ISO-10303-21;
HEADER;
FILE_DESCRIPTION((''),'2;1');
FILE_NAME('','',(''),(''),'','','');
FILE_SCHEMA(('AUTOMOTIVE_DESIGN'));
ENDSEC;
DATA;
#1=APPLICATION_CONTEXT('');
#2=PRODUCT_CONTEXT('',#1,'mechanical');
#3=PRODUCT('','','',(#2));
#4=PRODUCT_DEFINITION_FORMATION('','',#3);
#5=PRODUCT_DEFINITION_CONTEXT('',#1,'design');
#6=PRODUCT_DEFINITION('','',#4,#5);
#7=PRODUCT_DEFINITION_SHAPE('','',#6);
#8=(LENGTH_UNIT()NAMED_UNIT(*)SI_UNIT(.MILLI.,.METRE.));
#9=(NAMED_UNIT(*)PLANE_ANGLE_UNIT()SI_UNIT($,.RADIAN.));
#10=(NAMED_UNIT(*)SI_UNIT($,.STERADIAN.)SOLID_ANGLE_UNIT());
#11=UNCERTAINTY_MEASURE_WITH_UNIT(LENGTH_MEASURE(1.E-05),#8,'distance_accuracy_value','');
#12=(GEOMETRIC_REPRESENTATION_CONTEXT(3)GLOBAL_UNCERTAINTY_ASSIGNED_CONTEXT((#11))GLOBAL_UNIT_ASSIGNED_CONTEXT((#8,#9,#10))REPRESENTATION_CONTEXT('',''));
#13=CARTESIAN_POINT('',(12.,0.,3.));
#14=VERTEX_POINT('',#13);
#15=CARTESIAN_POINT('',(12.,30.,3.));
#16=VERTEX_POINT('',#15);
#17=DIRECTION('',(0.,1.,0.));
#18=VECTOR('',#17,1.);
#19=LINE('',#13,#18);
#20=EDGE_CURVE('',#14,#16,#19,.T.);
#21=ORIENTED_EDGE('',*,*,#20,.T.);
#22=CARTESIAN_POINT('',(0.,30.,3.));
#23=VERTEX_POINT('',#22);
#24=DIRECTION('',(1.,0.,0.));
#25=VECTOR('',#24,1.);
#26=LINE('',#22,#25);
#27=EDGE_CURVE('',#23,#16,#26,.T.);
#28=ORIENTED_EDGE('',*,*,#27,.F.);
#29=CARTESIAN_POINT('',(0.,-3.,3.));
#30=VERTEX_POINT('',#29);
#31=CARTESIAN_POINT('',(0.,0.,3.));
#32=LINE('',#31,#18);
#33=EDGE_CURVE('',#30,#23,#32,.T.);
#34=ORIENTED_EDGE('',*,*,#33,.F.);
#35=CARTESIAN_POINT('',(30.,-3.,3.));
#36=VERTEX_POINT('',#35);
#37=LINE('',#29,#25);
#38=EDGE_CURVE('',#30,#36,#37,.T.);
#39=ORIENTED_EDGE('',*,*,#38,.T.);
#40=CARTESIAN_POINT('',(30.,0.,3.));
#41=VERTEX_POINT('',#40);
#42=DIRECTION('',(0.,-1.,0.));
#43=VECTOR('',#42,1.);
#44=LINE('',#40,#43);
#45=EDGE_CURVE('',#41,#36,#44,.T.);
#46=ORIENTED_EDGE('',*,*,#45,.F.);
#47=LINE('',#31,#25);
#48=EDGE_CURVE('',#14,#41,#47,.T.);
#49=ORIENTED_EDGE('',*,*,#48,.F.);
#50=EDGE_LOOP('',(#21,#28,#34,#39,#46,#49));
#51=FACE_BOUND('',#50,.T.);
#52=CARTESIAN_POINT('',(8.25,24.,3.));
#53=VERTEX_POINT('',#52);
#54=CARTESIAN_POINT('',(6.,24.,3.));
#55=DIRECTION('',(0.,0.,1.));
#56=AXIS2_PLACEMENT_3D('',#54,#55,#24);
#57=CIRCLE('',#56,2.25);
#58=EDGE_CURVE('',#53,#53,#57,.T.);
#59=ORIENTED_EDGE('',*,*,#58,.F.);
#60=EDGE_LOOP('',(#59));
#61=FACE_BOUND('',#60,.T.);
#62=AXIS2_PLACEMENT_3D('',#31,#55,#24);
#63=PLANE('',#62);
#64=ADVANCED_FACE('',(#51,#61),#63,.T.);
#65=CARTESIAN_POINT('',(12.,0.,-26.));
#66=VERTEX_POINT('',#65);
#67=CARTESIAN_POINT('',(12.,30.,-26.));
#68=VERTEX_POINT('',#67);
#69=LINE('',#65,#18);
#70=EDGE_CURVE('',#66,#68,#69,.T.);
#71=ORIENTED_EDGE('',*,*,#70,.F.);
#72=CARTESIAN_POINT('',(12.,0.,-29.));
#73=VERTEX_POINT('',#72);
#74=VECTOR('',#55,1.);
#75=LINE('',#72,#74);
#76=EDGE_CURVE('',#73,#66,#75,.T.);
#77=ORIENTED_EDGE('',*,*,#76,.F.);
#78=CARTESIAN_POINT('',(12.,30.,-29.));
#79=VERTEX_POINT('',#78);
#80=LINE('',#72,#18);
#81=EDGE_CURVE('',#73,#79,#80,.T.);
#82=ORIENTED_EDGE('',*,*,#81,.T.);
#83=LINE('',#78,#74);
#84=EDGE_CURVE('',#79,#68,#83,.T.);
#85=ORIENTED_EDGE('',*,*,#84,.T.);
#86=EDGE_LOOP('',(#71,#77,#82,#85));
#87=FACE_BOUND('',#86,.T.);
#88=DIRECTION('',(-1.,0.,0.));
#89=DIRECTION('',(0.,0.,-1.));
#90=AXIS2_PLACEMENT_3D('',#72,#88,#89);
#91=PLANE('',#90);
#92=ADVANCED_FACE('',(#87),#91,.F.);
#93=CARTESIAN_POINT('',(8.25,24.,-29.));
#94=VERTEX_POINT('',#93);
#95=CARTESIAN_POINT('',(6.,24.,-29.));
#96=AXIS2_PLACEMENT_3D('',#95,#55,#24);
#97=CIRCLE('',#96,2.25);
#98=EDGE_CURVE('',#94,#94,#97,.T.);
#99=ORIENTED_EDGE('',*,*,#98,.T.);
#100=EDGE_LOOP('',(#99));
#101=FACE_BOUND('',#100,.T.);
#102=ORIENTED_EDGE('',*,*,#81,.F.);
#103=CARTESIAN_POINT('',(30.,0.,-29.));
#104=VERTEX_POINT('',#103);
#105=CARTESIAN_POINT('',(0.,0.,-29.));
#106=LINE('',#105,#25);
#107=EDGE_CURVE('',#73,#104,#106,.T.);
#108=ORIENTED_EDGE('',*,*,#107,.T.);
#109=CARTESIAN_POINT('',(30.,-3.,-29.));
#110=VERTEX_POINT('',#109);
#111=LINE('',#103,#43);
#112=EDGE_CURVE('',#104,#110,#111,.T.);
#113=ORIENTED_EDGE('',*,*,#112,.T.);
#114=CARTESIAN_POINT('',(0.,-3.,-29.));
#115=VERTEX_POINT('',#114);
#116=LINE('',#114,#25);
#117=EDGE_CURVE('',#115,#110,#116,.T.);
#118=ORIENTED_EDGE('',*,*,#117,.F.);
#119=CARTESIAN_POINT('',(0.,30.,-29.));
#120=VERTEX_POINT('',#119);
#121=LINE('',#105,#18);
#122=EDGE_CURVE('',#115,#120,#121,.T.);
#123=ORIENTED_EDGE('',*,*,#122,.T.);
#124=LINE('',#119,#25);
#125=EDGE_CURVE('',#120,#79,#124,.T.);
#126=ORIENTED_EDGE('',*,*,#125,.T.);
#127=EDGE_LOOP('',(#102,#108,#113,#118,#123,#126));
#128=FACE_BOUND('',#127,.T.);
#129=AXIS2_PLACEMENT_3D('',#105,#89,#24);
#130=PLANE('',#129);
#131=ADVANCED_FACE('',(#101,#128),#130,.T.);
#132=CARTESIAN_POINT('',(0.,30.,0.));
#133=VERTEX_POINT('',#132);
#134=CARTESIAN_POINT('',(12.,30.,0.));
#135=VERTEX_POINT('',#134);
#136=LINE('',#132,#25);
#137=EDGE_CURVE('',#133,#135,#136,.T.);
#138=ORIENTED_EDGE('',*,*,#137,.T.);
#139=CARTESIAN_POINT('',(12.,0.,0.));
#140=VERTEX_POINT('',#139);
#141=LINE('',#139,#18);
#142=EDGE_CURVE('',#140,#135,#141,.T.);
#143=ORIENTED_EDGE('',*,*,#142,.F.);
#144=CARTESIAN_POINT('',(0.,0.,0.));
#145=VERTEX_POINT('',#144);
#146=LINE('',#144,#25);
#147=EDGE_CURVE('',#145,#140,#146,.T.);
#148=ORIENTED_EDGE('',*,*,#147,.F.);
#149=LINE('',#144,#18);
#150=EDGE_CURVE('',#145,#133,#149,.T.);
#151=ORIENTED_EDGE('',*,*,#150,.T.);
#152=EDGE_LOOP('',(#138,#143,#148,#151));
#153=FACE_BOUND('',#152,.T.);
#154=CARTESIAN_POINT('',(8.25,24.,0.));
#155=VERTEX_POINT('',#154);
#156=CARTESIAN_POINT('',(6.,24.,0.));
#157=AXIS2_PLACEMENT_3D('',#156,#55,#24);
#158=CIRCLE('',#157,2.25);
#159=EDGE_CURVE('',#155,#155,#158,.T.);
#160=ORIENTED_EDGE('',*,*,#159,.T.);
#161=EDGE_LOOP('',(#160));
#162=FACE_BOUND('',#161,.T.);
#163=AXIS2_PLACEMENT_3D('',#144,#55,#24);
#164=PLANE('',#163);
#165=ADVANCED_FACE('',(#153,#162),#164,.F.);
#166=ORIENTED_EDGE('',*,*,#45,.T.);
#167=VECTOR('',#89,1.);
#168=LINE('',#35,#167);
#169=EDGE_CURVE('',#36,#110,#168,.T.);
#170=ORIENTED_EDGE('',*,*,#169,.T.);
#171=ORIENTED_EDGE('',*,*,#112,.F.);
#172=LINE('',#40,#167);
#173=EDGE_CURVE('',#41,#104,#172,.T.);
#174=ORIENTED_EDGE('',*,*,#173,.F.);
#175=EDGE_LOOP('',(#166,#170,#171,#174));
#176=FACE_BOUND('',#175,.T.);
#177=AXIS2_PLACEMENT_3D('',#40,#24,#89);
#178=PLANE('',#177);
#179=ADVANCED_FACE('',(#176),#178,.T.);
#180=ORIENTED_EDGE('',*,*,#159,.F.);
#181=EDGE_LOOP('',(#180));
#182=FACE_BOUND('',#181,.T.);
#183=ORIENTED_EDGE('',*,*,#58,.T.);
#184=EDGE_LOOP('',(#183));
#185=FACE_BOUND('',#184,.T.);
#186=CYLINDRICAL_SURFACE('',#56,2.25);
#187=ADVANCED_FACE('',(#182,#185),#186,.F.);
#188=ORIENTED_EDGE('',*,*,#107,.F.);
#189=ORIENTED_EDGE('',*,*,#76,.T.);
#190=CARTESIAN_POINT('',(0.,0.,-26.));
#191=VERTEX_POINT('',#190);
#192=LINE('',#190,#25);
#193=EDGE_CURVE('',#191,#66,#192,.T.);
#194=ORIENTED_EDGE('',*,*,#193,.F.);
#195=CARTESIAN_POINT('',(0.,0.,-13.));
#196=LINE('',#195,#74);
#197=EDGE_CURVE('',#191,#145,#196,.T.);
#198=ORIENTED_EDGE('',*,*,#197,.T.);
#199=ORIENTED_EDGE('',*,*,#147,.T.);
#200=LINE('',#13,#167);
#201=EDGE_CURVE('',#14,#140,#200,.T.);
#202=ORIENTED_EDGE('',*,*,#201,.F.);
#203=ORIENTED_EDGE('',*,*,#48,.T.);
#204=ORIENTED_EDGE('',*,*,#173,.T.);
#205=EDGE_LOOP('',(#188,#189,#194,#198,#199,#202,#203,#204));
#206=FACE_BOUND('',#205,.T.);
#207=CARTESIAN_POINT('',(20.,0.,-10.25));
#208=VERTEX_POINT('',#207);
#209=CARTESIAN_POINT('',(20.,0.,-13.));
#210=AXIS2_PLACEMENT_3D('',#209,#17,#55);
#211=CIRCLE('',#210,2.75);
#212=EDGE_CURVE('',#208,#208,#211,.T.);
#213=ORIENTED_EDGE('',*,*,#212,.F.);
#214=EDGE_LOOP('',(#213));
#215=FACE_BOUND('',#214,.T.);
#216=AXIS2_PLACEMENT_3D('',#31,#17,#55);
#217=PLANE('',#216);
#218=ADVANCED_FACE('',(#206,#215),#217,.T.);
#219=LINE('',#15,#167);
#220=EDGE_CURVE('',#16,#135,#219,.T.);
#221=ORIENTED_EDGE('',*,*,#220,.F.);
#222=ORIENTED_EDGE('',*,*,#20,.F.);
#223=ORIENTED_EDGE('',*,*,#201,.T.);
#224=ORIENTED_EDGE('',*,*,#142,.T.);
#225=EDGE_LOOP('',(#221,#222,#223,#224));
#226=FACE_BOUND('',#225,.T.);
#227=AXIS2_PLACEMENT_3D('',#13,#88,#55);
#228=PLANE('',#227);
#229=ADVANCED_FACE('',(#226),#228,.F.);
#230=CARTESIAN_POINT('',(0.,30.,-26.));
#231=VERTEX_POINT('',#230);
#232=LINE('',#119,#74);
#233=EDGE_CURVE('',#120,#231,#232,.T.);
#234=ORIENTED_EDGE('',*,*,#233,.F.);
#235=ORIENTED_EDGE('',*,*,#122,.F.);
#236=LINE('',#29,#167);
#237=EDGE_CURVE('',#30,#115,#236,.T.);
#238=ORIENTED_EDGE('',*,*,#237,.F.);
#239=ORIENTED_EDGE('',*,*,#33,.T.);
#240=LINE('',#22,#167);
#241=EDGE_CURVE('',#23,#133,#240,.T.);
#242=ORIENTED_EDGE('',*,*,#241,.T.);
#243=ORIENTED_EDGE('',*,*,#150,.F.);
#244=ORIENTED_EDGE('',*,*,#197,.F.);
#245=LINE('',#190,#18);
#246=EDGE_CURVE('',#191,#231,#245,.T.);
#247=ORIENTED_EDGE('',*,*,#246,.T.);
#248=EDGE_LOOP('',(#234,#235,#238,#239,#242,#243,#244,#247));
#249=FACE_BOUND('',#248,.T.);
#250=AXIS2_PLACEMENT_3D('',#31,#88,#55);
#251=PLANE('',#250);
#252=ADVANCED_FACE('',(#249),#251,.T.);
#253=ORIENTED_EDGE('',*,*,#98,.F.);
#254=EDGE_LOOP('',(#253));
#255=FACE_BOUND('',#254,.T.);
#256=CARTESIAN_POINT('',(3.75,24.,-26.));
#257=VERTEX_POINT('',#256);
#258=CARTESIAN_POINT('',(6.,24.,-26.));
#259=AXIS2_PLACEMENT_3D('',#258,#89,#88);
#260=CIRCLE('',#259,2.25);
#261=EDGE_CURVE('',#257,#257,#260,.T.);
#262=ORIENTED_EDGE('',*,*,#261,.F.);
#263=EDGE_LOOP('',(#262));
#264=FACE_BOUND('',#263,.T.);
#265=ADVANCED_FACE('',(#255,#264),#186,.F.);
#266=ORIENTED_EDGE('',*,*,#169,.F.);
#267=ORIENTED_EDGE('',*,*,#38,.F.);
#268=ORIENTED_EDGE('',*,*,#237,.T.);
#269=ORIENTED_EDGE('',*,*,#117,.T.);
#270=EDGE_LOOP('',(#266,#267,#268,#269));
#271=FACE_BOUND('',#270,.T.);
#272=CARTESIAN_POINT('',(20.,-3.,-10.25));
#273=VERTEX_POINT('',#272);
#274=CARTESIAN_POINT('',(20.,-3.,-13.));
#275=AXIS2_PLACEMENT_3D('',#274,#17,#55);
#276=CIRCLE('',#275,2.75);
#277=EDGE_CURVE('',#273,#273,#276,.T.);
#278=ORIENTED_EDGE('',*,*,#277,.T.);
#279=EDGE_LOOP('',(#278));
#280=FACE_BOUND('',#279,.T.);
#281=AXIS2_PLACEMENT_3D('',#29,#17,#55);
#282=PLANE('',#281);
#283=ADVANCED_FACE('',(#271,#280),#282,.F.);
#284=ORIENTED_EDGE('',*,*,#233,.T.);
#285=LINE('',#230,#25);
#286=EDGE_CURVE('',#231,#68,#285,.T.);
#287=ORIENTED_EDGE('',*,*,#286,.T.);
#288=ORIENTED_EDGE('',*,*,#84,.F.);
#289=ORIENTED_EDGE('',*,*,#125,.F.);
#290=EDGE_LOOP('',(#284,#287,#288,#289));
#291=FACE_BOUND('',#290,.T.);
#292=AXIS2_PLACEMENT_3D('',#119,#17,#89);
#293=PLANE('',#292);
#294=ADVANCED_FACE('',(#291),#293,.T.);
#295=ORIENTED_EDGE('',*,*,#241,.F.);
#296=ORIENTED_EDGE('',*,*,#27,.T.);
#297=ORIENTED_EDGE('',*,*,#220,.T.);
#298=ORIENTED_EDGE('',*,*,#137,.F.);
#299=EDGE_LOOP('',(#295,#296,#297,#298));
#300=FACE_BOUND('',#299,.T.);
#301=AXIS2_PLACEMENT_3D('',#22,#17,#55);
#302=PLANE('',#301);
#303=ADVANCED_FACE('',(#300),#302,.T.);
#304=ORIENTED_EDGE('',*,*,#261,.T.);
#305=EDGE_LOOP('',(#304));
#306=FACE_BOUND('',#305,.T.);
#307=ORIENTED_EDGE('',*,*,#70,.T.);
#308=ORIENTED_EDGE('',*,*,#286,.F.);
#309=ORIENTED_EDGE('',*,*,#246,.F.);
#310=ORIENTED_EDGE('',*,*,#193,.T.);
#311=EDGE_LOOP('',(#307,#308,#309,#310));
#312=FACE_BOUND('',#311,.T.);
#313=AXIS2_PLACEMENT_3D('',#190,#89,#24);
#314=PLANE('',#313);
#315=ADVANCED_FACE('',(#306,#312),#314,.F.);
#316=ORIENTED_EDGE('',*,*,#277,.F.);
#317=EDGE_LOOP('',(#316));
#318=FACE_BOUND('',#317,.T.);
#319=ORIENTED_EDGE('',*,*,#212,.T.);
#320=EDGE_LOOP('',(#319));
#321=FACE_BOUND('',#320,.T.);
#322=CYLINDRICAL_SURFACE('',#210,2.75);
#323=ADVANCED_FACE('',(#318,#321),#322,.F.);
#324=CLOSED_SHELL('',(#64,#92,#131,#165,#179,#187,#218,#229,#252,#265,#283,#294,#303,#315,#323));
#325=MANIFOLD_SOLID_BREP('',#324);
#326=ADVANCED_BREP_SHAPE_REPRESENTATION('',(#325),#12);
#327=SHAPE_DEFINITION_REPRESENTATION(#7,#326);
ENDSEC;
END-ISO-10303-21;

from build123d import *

# Parameters (mm, degrees)
BOSS_EXTRUDE1_DEPTH  = 3
BOSS_EXTRUDE2_DEPTH  = 13
M5_CLEARANCE_HOLE1_D = 5.5
M4_CLEARANCE_HOLE1_D = 4.5


with BuildPart() as part:
    # Sketch1 → Boss-Extrude1 (new body)
    with BuildSketch(Plane.XY):
        Polygon((0, 30), (0, -3), (30, -3), (30, 0), (12, 0), (12, 30), align=None)
    extrude(amount=BOSS_EXTRUDE1_DEPTH)

    # Sketch1<3> → Boss-Extrude2 (add)
    with BuildSketch(Plane.XY):
        Polygon((12, 0), (0, 0), (0, -3), (30, -3), (30, 0), align=None)
    extrude(amount=-BOSS_EXTRUDE2_DEPTH)

    # Mirror1: part across plane


with BuildPart() as part_1:
    add(part.part)
    add(part.part.mirror(Plane.XY.offset(-13)))

    # M5 Clearance Hole1 (through all)
    with Locations(Plane(origin=(0, 0, 0), x_dir=(1, 0, 0), z_dir=(0, 1, 0))):
        with Locations((20, 13)):
            Hole(M5_CLEARANCE_HOLE1_D / 2)

    # M4 Clearance Hole1 (through all)
    with Locations(Plane.XY.offset(3)):
        with Locations((6, 24)):
            Hole(M4_CLEARANCE_HOLE1_D / 2)


solid = part_1.part
